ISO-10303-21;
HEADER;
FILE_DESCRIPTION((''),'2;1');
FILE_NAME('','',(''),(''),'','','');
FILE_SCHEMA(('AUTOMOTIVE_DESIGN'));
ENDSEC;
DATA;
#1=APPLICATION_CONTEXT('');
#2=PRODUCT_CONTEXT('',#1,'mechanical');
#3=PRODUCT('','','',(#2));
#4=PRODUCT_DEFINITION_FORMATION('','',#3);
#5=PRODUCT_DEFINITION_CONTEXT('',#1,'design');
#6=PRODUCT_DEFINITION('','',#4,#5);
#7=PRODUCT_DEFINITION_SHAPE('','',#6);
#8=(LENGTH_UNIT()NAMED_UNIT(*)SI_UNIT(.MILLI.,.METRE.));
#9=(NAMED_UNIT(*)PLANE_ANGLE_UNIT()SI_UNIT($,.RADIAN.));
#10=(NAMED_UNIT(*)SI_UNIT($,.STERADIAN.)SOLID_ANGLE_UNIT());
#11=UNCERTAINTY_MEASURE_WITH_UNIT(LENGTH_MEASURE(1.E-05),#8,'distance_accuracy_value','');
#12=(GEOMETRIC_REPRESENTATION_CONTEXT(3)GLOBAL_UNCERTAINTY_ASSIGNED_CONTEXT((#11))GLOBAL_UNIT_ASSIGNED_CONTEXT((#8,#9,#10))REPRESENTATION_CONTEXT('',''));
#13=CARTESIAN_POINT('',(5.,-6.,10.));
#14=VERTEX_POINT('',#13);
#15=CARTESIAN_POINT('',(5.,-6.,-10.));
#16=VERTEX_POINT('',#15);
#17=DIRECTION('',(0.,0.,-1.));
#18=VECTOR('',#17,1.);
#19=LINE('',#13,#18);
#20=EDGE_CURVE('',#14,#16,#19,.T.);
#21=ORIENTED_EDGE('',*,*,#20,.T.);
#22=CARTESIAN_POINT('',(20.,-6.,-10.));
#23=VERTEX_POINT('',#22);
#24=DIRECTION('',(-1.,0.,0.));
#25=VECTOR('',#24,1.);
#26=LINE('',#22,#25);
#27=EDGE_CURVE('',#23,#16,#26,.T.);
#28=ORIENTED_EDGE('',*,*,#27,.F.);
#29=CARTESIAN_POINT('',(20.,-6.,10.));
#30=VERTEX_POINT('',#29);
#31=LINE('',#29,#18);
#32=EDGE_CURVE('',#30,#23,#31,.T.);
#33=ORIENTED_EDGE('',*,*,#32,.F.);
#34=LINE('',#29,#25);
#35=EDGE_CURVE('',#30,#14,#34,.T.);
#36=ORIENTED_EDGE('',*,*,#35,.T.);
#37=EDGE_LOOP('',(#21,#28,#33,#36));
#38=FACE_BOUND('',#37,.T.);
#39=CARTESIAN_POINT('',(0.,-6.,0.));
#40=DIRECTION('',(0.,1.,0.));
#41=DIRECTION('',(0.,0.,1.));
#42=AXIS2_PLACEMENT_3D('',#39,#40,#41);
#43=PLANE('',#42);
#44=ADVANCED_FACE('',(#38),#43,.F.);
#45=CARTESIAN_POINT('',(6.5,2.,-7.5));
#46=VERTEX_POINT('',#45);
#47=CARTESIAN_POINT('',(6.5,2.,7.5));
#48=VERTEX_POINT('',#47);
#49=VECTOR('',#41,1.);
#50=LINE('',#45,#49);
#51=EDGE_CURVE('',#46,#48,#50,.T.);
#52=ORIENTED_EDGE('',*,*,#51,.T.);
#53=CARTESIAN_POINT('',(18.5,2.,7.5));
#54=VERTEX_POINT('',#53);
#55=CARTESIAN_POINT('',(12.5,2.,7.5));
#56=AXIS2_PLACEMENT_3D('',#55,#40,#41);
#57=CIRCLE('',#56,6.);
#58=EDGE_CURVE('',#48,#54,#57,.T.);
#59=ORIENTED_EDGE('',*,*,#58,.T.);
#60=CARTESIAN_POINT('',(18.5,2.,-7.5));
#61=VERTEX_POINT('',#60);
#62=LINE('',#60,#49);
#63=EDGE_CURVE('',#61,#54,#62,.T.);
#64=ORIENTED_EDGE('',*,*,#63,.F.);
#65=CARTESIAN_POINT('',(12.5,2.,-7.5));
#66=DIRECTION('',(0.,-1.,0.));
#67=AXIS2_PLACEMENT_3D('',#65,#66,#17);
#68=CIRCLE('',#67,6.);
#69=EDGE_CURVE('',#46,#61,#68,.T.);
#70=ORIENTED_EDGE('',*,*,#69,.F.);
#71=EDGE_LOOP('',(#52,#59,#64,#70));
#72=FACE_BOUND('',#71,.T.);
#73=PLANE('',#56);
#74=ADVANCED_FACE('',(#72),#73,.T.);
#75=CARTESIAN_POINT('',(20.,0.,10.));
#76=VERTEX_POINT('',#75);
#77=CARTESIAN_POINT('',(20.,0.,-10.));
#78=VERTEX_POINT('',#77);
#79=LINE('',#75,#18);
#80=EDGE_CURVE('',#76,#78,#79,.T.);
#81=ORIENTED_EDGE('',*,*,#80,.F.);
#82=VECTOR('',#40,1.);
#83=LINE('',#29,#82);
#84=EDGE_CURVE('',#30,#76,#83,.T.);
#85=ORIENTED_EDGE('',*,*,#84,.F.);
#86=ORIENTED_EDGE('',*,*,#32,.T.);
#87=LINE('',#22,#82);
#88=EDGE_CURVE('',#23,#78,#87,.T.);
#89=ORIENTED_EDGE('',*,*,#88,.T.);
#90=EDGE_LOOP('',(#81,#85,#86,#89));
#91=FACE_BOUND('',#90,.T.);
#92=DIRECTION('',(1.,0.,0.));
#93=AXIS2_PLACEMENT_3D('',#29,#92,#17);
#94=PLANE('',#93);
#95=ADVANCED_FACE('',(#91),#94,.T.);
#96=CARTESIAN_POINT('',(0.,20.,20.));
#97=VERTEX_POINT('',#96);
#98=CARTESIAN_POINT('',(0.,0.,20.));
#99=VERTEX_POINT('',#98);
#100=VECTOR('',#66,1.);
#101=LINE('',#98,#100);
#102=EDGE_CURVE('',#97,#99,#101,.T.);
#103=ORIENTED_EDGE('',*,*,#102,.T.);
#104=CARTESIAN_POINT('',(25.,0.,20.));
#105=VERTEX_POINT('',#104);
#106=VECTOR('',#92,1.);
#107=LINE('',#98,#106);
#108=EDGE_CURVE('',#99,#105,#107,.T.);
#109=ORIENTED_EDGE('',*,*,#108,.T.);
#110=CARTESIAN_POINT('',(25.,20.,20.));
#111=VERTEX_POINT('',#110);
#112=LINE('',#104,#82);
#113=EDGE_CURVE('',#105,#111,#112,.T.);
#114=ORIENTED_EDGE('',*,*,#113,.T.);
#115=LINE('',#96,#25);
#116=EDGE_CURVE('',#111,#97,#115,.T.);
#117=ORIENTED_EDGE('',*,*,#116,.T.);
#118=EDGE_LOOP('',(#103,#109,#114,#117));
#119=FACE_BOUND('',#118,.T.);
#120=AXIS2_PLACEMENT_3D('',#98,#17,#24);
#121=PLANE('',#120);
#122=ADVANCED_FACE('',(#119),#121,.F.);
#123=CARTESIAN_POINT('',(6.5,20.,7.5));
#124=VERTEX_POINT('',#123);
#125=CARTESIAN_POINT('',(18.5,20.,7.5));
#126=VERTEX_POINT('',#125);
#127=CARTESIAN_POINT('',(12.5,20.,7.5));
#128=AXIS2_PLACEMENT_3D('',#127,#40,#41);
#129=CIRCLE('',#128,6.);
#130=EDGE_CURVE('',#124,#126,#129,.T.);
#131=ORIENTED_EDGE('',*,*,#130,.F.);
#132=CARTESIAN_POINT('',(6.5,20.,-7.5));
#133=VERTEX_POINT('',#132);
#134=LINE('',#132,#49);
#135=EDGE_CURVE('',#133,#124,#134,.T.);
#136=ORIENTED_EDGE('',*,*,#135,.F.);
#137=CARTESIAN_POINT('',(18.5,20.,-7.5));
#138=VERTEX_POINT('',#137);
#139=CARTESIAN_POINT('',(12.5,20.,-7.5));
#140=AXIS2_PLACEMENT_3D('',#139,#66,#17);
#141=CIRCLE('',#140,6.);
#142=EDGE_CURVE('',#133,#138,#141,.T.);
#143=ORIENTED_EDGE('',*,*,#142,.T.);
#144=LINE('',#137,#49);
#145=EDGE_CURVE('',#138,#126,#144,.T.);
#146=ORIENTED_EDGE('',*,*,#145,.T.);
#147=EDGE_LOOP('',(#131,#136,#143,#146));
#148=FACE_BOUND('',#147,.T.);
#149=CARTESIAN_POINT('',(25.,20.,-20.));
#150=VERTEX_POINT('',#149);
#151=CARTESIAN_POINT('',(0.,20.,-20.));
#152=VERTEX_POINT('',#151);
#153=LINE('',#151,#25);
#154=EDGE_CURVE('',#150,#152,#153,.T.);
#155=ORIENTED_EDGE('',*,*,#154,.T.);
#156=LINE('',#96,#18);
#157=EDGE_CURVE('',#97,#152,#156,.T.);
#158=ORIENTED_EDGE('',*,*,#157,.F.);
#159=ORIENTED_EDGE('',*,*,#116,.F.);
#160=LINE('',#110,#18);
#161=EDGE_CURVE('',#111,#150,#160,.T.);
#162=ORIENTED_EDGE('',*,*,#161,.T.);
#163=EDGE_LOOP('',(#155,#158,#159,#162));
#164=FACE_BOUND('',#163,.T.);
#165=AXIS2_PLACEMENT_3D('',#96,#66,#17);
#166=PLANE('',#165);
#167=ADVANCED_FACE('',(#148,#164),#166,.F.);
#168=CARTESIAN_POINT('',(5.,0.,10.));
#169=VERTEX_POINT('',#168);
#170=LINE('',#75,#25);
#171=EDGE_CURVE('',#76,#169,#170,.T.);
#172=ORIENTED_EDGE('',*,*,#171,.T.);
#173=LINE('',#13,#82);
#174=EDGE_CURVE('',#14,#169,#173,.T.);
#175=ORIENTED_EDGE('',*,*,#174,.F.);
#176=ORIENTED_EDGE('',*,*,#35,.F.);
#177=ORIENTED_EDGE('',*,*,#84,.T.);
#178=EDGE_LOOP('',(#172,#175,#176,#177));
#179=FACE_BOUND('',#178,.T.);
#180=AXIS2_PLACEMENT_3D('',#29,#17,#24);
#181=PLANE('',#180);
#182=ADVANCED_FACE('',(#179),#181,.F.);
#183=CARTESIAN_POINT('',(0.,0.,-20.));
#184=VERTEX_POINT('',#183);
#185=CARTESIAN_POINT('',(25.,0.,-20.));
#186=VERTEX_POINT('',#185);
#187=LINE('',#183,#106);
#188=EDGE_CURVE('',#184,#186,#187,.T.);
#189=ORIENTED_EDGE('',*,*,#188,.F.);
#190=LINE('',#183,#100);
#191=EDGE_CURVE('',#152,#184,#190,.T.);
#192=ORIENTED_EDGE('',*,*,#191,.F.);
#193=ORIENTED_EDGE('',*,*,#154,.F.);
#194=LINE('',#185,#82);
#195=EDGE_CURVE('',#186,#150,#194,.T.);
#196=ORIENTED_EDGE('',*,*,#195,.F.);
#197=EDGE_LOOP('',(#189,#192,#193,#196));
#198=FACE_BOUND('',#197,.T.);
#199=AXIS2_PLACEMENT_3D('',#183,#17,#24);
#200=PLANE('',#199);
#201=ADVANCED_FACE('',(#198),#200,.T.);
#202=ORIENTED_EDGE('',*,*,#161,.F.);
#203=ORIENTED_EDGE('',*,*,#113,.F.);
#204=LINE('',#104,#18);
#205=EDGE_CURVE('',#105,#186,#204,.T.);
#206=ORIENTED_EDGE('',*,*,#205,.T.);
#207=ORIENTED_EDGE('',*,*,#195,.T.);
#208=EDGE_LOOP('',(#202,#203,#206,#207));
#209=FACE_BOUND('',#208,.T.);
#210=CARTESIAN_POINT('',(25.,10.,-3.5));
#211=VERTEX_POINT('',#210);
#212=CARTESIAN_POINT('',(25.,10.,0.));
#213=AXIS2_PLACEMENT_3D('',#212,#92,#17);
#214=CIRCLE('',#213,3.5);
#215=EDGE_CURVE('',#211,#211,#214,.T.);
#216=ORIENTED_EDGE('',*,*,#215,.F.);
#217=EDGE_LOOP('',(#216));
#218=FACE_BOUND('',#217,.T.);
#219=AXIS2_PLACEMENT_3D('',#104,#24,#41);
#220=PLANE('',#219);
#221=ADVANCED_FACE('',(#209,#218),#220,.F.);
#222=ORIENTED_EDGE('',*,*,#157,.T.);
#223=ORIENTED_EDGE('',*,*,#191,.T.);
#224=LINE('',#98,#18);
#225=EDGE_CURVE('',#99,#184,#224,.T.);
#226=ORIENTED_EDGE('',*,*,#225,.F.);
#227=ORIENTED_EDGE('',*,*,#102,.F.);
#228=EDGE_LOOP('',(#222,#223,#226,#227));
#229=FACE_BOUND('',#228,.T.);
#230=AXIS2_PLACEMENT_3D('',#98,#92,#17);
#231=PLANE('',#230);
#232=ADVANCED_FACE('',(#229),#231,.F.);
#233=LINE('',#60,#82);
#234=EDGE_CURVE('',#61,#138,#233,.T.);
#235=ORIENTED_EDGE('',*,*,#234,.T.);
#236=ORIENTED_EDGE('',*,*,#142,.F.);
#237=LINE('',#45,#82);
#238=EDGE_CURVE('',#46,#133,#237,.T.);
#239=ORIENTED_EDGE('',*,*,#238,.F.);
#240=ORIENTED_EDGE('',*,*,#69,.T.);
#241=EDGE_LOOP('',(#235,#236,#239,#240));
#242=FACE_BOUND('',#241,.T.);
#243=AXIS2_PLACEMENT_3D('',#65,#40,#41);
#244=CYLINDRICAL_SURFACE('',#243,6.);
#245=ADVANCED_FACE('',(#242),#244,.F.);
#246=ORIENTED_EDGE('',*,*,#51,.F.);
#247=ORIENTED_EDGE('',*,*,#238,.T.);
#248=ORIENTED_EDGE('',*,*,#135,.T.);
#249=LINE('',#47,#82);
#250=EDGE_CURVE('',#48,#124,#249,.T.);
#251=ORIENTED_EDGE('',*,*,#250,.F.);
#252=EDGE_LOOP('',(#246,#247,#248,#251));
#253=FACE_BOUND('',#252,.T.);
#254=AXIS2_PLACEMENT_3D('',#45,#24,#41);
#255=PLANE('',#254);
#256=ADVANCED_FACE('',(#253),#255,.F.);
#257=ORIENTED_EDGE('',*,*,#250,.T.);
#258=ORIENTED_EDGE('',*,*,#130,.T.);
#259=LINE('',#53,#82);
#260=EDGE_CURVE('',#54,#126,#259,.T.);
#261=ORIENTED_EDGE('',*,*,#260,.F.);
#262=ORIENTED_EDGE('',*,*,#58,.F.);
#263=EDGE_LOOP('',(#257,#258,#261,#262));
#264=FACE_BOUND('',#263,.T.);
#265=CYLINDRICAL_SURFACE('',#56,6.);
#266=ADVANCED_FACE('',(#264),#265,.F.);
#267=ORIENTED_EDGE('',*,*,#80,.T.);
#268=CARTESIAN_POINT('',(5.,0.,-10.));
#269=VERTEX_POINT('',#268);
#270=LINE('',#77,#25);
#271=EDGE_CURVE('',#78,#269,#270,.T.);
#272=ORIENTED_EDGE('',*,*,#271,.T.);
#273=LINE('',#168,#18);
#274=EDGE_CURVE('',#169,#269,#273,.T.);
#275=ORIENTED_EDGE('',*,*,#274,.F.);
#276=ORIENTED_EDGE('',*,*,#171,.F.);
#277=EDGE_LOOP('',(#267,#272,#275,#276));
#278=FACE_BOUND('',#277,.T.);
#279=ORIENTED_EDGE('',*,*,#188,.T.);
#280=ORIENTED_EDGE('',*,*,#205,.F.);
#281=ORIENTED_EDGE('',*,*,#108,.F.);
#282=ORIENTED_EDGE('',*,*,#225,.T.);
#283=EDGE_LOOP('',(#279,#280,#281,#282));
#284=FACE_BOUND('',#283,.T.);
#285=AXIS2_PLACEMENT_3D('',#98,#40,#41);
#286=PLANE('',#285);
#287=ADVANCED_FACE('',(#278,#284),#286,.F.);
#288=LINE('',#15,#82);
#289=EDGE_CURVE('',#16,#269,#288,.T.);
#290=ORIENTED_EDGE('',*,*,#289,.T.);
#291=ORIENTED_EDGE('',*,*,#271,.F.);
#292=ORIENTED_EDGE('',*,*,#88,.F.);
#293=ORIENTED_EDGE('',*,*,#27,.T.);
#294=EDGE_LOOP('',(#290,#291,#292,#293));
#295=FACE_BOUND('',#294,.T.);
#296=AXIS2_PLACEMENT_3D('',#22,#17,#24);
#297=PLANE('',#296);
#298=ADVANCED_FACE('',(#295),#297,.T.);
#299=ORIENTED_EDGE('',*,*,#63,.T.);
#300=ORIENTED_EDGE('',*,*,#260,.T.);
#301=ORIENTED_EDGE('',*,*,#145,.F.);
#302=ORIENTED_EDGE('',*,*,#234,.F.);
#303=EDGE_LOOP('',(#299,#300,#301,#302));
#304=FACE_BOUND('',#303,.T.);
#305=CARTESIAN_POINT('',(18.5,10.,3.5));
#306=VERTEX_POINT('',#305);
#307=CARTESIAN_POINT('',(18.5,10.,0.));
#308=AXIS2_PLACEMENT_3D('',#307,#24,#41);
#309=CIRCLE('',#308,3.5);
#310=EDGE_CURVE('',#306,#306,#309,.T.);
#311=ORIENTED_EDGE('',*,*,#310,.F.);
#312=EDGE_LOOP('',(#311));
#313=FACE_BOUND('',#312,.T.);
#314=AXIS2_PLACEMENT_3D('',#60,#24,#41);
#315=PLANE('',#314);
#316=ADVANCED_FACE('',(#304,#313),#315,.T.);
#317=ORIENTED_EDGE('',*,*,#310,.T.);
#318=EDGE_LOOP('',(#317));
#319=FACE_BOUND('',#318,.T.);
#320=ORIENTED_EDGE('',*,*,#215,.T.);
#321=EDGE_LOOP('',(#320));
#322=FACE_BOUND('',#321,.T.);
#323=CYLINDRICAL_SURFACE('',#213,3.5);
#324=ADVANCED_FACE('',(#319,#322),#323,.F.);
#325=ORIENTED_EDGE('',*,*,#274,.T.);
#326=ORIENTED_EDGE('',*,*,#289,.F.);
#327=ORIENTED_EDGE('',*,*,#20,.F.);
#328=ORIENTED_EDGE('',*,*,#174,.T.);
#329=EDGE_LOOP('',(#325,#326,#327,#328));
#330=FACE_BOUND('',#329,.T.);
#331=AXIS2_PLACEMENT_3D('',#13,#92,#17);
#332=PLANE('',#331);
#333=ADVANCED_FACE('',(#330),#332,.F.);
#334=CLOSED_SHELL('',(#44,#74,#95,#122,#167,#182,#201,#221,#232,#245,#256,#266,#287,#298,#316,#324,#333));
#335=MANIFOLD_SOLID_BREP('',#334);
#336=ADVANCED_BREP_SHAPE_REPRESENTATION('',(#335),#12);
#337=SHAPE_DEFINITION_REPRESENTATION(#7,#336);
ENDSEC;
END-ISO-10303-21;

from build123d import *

# Parameters (mm, degrees)
SKETCH1_W           = 25
SKETCH1_H           = 20
BOSS_EXTRUDE1_DEPTH = 20
CUT_EXTRUDE1_DEPTH  = 18
HOLE1_D             = 7
HOLE1_DEPTH         = 6.5
SKETCH6_W           = 15
SKETCH6_H           = 20
BOSS_EXTRUDE2_DEPTH = 6


with BuildPart() as part:
    # Sketch1 → Boss-Extrude1 (new body, symmetric)
    with BuildSketch(Plane.XY):
        with Locations((12.5, 10)):
            Rectangle(SKETCH1_W, SKETCH1_H)
    extrude(amount=BOSS_EXTRUDE1_DEPTH, both=True)

    # Sketch2 → Cut-Extrude1 (cut)
    with BuildSketch(Plane(origin=(0, 20, 0), x_dir=(1, 0, 0), z_dir=(0, 1, 0))):
        with BuildLine():
            Line((6.5, 7.5), (6.5, -7.5))
            ThreePointArc((6.5, -7.5), (12.5, -13.5), (18.5, -7.5))
            Line((18.5, -7.5), (18.5, 7.5))
            ThreePointArc((18.5, 7.5), (12.5, 13.5), (6.5, 7.5))
        make_face()
    extrude(amount=-CUT_EXTRUDE1_DEPTH, mode=Mode.SUBTRACT)

    # Hole1
    with Locations(Plane(origin=(25, 0, 0), x_dir=(0, 0, -1), z_dir=(1, 0, 0))):
        with Locations((0, 10)):
            Hole(HOLE1_D / 2, depth=HOLE1_DEPTH)

    # Sketch6 → Boss-Extrude2 (add)
    with BuildSketch(Plane(origin=(0, 0, 0), x_dir=(1, 0, 0), z_dir=(0, 1, 0))):
        with Locations((12.5, 0)):
            Rectangle(SKETCH6_W, SKETCH6_H)
    extrude(amount=-BOSS_EXTRUDE2_DEPTH)


solid = part.part
